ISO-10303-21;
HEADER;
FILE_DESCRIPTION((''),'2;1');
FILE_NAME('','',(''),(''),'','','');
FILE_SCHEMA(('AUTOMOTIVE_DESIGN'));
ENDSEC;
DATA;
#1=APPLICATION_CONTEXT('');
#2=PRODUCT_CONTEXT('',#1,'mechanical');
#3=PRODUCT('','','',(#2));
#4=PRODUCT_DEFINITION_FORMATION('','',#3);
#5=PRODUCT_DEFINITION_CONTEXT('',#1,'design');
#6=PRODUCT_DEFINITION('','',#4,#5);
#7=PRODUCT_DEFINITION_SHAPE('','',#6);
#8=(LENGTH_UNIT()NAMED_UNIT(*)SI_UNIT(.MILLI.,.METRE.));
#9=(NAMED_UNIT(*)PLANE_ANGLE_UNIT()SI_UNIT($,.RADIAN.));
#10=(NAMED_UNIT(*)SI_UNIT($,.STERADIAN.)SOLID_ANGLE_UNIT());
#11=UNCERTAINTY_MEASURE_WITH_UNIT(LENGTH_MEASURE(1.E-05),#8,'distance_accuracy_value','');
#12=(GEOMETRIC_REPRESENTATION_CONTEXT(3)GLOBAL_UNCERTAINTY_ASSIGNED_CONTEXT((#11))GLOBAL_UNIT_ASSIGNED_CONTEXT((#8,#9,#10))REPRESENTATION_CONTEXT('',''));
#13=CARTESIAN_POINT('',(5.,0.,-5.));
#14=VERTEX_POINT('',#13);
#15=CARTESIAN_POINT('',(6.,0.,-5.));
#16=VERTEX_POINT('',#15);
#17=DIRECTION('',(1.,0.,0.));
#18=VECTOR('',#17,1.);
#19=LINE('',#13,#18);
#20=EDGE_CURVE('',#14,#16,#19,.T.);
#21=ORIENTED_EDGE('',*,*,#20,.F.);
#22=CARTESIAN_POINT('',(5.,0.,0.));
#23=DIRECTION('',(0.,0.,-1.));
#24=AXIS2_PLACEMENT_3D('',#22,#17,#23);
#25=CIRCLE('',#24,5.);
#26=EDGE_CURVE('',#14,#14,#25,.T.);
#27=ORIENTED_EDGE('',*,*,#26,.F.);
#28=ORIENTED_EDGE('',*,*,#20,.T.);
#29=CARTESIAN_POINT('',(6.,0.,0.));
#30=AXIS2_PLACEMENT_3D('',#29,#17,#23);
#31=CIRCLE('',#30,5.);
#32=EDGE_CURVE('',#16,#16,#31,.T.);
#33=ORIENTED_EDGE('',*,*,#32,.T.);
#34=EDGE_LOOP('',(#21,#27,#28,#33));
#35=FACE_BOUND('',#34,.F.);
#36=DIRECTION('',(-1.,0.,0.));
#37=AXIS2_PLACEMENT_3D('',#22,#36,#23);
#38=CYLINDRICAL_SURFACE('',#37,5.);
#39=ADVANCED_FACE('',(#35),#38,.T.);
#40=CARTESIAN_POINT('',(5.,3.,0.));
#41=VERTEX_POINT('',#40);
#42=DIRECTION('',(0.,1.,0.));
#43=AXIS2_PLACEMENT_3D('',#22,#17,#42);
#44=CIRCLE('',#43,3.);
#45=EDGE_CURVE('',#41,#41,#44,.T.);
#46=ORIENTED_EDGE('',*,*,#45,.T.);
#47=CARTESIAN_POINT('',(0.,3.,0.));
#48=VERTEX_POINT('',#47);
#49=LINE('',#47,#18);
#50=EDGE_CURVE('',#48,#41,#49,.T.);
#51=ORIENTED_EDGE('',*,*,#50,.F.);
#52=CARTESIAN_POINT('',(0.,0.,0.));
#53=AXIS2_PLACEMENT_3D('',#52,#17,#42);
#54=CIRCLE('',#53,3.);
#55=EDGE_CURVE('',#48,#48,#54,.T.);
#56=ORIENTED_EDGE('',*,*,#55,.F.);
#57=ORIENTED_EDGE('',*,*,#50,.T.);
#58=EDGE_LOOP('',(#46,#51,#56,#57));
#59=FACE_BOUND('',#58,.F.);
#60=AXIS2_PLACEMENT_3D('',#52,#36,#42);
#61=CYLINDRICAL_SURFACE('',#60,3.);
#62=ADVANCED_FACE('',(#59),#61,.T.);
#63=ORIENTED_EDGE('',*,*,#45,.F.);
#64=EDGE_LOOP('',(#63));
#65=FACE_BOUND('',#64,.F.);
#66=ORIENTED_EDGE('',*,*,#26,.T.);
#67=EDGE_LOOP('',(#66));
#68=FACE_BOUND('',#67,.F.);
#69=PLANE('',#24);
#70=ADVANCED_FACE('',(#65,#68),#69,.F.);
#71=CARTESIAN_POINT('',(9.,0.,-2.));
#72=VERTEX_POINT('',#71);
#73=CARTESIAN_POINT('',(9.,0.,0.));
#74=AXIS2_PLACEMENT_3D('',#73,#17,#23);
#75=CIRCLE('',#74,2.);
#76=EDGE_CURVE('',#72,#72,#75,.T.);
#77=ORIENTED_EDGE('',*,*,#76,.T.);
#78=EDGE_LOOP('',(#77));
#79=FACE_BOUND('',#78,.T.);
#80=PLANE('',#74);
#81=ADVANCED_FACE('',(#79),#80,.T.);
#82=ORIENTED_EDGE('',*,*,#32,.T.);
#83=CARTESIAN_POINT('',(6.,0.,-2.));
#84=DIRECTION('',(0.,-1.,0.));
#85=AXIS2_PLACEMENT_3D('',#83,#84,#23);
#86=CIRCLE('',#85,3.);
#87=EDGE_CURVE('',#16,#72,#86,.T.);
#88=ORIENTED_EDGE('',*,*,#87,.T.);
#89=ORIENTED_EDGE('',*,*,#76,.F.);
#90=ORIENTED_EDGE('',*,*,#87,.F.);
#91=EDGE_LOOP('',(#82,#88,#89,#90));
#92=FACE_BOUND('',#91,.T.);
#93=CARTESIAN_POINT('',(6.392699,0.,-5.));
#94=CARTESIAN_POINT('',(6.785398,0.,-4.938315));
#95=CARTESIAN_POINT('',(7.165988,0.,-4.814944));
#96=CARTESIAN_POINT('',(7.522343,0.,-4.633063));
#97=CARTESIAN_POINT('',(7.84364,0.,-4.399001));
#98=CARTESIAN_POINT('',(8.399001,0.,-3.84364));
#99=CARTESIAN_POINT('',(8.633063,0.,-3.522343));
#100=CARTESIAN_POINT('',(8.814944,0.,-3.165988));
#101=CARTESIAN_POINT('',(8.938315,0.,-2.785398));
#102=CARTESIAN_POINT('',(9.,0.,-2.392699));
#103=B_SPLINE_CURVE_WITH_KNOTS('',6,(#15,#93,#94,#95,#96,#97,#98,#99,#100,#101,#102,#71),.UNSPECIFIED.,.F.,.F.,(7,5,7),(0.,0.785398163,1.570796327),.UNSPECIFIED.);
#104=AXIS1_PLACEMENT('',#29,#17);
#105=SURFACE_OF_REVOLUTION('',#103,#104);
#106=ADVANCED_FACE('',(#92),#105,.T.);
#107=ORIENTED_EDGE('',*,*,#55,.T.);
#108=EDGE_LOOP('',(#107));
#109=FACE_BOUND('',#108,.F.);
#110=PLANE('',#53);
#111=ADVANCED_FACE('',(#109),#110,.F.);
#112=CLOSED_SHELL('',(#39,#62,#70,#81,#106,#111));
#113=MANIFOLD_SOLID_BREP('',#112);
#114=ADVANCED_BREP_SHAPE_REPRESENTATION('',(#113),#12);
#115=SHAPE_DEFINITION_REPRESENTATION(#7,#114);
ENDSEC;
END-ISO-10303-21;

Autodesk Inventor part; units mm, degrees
ref_plane "YZ Plane" through (0, 0, 0) normal (1, 0, 0) x (0, 1, 0)
ref_plane "XZ Plane" through (0, 0, 0) normal (0, 1, 0) x (-1, 0, 0)
ref_plane "XY Plane" through (0, 0, 0) normal (0, 0, 1) x (1, 0, 0)
sketch "Esboço1" plane through (0, 0, 0) normal (1, 0, 0) x (0, 1, 0)
  circle A0 centre (0, 0) radius 3
  dimension "d0" = 6
extrude "Extrusão1" add sketch "Esboço1" along normal blind 5
sketch "Esboço2" plane through (5, 0, 0) normal (1, 0, 0) x (0, 0, -1)
  circle A0 centre (0, 0) radius 5
  dimension "d3" = 10
extrude "Extrusão2" add sketch "Esboço2" along normal blind 4
fillet "Arredondamento1" radius 3 1 edges at (9, 0, 5)
properties part number "Suporte Guia - Intake"
